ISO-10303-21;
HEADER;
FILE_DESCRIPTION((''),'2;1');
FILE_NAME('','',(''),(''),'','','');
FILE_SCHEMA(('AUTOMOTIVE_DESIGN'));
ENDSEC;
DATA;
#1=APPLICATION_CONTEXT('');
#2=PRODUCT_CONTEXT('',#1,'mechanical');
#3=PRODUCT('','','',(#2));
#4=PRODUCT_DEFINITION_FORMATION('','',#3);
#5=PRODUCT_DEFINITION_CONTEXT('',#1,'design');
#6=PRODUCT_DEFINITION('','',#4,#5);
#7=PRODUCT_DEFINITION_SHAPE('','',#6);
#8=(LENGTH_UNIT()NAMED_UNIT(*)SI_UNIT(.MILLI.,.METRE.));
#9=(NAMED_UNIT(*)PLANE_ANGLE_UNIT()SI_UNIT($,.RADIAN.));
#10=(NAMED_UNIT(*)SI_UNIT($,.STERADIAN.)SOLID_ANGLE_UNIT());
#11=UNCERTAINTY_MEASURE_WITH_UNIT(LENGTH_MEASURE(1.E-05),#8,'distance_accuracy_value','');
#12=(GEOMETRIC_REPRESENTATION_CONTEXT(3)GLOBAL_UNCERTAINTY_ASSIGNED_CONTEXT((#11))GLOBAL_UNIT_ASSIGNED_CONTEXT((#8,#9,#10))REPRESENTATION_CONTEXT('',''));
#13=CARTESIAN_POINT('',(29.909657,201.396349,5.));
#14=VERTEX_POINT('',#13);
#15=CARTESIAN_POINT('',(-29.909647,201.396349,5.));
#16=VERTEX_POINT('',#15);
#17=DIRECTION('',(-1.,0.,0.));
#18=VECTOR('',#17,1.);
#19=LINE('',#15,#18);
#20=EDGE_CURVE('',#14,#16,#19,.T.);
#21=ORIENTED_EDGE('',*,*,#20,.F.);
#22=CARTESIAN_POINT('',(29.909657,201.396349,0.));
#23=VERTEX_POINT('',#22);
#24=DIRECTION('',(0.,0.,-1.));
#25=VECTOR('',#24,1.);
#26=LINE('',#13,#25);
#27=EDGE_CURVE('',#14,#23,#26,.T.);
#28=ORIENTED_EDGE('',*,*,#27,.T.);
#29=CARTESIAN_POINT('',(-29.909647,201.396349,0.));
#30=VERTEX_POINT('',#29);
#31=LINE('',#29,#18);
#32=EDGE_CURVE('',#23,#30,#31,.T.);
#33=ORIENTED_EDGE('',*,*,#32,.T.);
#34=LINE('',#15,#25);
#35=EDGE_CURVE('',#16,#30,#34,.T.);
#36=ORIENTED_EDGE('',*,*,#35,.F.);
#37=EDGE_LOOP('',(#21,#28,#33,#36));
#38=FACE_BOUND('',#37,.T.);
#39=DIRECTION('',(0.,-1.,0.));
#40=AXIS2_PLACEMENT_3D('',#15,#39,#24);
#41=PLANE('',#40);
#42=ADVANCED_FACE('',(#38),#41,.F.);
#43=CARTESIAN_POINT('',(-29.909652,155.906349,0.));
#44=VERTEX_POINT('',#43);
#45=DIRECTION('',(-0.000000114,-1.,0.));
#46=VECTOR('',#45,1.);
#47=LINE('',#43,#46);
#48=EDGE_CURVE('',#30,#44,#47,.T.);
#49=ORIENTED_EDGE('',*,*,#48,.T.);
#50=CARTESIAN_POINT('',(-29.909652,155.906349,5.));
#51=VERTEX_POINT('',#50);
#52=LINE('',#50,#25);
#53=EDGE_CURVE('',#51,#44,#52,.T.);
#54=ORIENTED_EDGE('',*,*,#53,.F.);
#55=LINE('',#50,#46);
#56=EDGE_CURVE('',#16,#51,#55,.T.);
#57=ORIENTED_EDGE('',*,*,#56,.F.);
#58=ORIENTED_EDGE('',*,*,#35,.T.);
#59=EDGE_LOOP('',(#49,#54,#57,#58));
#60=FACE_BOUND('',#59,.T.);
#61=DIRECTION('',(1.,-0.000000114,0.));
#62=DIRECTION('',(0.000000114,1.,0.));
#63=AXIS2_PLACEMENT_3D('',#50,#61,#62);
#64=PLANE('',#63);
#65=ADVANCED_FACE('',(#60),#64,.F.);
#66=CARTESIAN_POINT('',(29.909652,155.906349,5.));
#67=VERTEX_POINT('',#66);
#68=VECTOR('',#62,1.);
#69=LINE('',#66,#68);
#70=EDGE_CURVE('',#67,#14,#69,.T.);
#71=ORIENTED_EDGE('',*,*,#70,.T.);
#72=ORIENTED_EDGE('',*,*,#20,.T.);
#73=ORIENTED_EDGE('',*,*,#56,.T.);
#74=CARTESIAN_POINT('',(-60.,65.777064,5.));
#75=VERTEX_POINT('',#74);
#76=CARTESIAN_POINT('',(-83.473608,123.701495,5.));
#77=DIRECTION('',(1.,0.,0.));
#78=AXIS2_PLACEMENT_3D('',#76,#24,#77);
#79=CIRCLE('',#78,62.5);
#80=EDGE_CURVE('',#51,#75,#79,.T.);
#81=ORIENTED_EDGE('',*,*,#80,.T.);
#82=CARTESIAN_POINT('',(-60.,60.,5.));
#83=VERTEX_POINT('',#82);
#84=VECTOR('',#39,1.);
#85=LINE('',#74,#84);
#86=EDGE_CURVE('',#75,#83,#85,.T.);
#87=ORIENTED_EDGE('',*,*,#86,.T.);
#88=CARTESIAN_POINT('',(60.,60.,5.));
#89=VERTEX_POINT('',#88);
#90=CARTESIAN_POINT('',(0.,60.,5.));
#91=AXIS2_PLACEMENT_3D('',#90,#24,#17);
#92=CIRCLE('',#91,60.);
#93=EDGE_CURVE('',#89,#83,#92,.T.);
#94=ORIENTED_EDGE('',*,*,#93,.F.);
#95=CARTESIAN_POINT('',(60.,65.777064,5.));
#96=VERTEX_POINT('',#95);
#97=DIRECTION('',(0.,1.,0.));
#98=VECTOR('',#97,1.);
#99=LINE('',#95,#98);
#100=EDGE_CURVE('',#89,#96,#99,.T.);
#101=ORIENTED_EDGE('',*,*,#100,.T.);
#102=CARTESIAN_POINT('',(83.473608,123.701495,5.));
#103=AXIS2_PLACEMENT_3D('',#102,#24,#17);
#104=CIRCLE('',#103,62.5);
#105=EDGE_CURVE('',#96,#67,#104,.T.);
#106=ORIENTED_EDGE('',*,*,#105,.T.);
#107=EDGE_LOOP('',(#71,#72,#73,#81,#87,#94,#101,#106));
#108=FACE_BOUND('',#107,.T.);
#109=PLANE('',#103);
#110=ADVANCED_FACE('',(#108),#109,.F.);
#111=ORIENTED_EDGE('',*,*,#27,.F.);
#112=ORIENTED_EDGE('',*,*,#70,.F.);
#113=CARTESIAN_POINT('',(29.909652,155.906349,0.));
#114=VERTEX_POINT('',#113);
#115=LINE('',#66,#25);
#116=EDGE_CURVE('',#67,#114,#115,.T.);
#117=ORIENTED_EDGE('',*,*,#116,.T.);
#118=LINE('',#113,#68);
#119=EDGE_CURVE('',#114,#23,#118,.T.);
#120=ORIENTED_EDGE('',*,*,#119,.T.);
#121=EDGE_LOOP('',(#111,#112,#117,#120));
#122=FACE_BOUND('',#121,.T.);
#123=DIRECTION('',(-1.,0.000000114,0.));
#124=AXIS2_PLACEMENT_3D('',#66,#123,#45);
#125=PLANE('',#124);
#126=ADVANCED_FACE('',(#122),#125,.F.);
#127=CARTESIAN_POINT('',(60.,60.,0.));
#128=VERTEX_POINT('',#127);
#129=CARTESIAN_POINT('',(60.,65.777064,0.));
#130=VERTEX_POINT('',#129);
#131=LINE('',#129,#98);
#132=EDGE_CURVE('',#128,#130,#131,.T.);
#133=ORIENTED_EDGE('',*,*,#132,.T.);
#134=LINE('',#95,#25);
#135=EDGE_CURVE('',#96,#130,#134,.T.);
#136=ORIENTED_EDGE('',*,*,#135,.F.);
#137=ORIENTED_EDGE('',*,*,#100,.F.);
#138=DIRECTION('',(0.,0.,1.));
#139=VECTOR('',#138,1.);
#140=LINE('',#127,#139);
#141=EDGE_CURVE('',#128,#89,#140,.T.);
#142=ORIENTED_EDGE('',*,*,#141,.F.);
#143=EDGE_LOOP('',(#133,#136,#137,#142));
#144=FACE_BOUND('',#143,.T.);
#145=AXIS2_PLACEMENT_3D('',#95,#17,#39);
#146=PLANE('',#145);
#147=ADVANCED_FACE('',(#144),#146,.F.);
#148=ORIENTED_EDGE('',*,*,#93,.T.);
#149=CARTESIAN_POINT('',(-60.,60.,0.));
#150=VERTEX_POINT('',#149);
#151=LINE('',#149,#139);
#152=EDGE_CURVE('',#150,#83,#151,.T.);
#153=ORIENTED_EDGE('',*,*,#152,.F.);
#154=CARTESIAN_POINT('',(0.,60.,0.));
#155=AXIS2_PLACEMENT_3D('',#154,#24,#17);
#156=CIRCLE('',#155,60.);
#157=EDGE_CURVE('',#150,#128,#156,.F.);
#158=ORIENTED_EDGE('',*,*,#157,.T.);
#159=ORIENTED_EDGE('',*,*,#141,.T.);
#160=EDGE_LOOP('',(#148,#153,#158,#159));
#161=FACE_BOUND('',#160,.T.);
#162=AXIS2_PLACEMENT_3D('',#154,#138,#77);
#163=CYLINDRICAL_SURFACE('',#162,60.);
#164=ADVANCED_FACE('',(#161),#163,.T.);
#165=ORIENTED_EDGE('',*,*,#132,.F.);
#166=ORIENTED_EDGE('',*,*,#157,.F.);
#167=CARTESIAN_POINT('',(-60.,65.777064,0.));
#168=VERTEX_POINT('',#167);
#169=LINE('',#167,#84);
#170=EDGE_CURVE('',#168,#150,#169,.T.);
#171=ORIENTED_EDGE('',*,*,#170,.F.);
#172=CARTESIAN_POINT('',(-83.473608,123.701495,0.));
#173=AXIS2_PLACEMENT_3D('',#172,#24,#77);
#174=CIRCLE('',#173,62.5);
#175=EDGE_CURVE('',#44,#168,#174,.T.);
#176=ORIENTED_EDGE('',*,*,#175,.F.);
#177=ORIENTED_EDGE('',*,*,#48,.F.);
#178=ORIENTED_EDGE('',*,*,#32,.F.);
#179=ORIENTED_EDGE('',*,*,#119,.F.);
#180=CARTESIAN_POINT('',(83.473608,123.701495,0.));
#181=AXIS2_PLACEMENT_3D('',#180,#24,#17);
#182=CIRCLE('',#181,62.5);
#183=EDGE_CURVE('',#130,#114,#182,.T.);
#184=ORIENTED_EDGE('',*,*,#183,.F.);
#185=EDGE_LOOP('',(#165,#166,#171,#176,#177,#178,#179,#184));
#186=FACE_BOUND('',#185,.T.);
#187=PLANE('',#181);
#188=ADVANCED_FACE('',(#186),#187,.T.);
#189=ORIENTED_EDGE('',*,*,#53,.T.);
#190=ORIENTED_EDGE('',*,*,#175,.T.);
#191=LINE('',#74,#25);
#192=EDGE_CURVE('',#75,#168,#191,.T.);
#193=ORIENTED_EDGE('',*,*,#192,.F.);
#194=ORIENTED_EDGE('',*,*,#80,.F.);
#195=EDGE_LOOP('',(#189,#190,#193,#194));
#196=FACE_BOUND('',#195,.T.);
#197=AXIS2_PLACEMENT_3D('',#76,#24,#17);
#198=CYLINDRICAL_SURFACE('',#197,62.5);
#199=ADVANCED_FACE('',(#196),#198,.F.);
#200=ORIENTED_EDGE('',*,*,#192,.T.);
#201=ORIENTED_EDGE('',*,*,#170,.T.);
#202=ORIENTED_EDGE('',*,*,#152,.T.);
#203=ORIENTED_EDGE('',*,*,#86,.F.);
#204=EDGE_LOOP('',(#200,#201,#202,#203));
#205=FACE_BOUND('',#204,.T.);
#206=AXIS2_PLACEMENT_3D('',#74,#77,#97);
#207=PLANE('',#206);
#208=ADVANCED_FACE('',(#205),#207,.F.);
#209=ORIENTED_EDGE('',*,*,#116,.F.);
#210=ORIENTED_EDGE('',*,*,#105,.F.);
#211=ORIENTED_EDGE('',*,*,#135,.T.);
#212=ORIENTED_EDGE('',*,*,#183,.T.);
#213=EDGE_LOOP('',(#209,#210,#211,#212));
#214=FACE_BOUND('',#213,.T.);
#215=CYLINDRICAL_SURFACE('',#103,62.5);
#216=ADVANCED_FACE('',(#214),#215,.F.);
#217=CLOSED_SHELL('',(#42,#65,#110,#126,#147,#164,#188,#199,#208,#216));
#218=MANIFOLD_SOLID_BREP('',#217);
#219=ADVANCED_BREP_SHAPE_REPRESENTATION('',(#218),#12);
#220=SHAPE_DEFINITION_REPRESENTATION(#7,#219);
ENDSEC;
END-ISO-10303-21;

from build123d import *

# Parameters (mm, degrees)
BOSS_EXTRUDE1_DEPTH = 5
CUT_EXTRUDE1_DEPTH  = 6


with BuildPart() as part:
    # Sketch1 → Boss-Extrude1 (new body)
    with BuildSketch(Plane.XY):
        with BuildLine():
            Line((60, 65.777063513), (60, 0))
            Line((60, 0), (-60, 0))
            Line((-60, 0), (-60, 65.777063513))
            ThreePointArc((-60, 65.777063513), (-24.19023261, 103.909288798), (-29.909652169, 155.906349155))
            Line((-29.909652169, 155.906349155), (-29.909646989, 201.396349155))
            Line((-29.909646989, 201.396349155), (29.909657349, 201.396349155))
            Line((29.909657349, 201.396349155), (29.909652169, 155.906349155))
            ThreePointArc((29.909652169, 155.906349155), (24.19023261, 103.909288798), (60, 65.777063513))
        make_face()
    extrude(amount=BOSS_EXTRUDE1_DEPTH)

    # Sketch2 → Cut-Extrude1 (cut, through all)
    with BuildSketch(Plane.XY.offset(5)):
        with BuildLine():
            Line((-60, 60), (-60, -14.155296416))
            Line((-60, -14.155296416), (60, -14.155296416))
            Line((60, -14.155296416), (60, 60))
            ThreePointArc((60, 60), (0, 0), (-60, 60))
        make_face()
    extrude(amount=-CUT_EXTRUDE1_DEPTH, mode=Mode.SUBTRACT)


solid = part.part
